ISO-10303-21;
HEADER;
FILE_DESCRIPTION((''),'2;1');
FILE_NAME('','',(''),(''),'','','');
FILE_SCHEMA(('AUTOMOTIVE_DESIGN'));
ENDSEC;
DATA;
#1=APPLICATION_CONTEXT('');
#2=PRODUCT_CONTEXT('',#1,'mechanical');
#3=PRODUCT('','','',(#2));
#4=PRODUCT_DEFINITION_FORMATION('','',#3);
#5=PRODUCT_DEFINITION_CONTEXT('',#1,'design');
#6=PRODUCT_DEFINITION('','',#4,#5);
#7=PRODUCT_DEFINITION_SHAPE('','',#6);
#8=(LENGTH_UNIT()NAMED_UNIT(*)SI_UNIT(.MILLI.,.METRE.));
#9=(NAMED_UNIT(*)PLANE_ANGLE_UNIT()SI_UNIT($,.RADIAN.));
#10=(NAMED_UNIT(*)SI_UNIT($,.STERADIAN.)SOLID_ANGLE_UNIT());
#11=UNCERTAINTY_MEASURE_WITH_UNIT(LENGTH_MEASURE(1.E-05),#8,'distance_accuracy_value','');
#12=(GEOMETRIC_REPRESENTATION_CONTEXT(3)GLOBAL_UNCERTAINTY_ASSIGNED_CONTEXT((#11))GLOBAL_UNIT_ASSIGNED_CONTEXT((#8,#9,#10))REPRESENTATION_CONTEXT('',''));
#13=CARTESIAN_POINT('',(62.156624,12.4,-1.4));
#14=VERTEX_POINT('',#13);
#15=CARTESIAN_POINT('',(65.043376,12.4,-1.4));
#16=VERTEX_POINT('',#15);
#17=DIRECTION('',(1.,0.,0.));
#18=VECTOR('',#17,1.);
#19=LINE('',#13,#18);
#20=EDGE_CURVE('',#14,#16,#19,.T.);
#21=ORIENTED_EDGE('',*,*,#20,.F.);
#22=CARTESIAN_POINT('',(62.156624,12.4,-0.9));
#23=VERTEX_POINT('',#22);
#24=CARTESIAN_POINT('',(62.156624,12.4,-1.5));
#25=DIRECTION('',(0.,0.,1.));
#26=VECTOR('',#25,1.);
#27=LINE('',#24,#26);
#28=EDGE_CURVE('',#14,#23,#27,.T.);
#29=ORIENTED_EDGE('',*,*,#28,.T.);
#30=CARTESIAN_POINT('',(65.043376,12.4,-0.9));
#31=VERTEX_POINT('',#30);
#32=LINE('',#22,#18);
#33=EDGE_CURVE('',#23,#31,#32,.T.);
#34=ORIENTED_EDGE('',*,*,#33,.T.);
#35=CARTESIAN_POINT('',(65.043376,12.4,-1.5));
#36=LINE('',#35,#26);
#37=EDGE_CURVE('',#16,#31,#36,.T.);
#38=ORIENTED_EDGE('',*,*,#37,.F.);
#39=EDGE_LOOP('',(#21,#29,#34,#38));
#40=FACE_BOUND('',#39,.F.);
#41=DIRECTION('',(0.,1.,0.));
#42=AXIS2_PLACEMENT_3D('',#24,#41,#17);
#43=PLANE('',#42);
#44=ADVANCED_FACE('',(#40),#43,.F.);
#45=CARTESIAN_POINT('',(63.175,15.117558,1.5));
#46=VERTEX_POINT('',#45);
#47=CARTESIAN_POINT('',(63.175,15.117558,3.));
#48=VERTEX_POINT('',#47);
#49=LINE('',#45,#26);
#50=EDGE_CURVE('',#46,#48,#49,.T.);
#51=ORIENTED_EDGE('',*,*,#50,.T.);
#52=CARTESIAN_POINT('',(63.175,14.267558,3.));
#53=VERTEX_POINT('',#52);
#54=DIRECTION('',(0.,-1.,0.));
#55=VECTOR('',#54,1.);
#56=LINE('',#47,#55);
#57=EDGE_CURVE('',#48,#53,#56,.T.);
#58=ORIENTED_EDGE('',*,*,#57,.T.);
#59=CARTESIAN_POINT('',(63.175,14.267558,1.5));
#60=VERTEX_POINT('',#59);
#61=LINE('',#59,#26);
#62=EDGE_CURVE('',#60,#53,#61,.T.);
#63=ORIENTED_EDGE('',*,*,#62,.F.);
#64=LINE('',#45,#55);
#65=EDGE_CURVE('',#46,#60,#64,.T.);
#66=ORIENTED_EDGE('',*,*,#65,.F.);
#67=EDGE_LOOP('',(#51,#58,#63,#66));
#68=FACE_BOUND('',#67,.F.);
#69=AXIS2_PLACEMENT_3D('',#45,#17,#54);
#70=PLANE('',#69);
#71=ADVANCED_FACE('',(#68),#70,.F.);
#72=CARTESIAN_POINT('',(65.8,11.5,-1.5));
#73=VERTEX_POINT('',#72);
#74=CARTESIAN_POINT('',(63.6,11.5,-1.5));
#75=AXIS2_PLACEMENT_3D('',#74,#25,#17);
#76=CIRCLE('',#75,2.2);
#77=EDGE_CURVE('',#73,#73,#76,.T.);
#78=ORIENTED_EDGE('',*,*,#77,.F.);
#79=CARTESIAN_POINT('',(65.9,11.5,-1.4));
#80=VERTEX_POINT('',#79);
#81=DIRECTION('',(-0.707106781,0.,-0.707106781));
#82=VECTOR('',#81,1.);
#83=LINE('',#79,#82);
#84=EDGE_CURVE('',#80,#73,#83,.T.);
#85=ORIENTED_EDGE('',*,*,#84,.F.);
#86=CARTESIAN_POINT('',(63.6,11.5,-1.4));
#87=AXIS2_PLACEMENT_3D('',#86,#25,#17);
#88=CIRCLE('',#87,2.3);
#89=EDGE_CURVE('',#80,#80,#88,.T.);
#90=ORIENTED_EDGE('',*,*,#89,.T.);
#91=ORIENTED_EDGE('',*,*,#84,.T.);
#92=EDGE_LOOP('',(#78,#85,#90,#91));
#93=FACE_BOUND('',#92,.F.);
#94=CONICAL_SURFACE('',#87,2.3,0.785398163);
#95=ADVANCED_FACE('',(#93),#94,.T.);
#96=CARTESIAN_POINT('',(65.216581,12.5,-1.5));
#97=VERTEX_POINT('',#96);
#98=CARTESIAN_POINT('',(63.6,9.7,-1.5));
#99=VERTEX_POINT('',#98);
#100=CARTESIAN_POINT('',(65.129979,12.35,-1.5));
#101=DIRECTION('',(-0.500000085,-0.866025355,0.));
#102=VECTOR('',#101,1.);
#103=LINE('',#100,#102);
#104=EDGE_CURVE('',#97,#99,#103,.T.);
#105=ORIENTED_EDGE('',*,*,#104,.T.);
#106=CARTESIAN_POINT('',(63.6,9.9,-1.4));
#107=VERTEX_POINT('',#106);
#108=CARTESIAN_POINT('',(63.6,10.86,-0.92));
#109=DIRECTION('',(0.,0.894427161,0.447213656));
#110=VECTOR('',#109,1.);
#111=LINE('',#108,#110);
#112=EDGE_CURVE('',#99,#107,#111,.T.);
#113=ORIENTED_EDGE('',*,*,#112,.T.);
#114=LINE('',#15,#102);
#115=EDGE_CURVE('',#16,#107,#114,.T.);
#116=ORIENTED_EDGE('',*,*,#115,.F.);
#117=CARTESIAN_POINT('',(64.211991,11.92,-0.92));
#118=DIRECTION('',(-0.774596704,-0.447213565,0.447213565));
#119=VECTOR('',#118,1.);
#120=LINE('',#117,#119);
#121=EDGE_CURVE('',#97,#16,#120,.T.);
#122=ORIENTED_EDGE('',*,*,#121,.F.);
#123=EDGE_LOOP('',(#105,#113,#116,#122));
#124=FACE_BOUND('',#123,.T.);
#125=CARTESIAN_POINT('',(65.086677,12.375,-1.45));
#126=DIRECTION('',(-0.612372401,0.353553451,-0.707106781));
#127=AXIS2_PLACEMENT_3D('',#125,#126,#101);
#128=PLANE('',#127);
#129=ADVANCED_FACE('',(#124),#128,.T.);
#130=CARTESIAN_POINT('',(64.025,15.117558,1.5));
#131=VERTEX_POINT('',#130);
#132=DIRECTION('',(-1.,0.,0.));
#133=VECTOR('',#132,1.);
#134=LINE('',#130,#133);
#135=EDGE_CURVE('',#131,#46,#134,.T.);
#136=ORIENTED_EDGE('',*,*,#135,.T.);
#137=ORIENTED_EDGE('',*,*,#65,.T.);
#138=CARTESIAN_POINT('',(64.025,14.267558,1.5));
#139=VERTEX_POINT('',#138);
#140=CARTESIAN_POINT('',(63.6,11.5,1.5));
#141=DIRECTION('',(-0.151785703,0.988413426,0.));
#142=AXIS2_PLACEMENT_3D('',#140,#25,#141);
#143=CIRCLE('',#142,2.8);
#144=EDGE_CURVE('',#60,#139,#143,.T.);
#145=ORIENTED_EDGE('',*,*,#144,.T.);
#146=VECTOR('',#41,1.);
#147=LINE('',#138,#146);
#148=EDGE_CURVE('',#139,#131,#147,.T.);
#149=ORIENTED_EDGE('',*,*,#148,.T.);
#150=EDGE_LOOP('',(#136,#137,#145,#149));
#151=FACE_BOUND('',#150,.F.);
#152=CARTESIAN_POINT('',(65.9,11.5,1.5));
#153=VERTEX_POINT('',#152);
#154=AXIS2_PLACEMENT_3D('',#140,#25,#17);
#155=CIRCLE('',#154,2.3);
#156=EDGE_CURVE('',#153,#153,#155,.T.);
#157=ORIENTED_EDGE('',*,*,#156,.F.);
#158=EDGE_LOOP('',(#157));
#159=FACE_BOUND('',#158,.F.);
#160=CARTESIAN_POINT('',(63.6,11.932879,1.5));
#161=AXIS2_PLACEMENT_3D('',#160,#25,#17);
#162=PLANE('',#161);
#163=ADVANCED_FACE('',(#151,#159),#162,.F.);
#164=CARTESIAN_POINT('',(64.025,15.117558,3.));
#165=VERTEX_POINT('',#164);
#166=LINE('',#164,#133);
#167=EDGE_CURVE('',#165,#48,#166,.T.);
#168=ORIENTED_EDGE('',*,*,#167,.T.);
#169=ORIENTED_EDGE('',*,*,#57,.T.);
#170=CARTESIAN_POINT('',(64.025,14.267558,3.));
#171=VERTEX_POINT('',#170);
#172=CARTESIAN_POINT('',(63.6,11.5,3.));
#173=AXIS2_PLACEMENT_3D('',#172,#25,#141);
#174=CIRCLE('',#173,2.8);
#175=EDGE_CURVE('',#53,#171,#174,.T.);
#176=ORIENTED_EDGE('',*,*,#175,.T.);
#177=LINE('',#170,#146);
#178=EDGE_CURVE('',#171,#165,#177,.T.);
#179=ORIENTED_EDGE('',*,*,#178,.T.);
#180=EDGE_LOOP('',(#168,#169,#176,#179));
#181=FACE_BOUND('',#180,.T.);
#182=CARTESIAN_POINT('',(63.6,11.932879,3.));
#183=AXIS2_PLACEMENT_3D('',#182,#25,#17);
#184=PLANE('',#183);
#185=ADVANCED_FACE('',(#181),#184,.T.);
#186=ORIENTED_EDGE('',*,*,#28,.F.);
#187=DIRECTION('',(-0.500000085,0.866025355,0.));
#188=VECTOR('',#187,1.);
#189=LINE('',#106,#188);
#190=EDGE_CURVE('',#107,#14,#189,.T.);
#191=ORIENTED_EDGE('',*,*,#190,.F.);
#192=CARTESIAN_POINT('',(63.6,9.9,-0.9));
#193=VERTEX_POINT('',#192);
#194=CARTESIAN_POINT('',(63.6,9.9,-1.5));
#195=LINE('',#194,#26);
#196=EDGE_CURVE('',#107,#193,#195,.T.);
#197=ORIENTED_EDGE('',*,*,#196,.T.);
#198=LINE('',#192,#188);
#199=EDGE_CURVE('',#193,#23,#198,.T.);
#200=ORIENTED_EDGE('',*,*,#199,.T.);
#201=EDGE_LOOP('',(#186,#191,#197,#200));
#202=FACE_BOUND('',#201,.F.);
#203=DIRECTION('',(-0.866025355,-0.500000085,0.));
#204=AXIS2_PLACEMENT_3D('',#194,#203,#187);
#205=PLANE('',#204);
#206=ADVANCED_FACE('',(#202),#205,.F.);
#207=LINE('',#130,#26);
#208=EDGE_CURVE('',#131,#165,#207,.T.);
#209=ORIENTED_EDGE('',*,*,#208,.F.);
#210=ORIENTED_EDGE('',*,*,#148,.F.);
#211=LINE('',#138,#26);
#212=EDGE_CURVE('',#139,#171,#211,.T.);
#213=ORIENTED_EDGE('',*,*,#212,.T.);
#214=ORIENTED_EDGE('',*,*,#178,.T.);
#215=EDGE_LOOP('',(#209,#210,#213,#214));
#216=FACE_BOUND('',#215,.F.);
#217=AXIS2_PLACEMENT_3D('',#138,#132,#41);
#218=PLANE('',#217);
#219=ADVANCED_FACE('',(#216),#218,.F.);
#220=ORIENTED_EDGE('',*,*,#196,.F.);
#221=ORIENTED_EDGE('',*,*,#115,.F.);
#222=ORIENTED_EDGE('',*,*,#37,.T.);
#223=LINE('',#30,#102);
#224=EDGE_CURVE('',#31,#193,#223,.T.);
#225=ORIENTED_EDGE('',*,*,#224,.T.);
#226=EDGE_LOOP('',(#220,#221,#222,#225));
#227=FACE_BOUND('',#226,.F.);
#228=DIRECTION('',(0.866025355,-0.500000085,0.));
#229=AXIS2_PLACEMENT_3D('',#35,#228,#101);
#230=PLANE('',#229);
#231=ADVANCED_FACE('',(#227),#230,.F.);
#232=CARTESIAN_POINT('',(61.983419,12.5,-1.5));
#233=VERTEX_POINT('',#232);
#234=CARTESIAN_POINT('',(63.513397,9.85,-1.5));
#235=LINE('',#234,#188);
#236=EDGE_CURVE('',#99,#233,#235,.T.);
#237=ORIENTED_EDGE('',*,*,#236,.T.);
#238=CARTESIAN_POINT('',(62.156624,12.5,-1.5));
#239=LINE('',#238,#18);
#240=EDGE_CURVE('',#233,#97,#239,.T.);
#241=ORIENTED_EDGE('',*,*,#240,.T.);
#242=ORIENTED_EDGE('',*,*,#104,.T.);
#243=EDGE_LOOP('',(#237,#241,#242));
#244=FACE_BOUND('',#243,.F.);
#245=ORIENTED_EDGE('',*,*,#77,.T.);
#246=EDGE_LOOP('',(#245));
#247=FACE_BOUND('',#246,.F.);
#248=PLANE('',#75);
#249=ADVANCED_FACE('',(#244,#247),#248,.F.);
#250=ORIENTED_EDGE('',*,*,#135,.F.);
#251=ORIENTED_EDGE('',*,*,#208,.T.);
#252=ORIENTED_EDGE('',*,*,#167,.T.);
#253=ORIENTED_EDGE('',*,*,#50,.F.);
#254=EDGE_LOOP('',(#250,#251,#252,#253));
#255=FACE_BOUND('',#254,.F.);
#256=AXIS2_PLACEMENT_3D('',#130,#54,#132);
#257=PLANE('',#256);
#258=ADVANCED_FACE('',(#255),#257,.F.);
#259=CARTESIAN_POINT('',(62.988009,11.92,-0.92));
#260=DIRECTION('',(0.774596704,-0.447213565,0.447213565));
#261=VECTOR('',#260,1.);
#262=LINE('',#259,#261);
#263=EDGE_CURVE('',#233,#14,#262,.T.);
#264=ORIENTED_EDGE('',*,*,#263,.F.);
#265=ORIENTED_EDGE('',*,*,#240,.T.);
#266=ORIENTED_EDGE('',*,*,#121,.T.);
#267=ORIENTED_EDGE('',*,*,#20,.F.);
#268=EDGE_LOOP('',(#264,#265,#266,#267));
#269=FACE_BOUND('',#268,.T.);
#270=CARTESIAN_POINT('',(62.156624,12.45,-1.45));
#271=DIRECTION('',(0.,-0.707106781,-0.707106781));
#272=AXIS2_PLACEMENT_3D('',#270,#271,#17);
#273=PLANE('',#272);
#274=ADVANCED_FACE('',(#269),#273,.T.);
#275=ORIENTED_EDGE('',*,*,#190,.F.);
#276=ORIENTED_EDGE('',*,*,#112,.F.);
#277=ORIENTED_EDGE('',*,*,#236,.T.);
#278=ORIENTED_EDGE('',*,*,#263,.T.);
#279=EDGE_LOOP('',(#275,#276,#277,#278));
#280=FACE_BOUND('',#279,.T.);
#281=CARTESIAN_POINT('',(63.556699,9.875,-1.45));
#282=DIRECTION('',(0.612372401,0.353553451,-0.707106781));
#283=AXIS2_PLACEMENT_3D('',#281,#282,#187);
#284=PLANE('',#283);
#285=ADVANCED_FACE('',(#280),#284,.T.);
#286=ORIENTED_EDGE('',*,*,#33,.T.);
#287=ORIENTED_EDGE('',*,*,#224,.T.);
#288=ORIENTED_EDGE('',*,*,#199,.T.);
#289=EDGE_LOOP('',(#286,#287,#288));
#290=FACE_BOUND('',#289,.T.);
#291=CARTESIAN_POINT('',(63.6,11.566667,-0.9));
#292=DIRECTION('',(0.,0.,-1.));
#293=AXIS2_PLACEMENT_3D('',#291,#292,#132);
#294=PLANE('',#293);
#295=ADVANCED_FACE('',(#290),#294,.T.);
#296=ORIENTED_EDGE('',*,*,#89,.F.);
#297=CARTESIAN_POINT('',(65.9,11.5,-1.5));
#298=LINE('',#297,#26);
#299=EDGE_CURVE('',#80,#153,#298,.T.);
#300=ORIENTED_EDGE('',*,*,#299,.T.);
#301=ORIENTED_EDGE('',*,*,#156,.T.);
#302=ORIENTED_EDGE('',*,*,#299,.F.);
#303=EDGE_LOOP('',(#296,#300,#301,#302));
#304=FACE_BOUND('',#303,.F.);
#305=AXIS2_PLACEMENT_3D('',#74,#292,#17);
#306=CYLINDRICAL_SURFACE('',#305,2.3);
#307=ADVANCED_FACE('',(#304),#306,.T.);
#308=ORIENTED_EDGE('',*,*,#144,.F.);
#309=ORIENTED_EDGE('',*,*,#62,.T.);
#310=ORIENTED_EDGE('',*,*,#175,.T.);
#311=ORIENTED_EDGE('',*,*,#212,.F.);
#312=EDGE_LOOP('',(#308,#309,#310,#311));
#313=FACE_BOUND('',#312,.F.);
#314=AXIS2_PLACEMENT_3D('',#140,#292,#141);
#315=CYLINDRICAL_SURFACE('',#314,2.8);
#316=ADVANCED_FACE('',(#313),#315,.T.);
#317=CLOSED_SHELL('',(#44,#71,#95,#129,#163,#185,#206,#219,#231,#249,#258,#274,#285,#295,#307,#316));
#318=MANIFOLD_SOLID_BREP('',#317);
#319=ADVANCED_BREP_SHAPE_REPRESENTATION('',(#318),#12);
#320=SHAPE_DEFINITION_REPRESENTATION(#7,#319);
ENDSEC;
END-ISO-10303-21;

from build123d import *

# Parameters (mm, degrees)
SKETCH046_R     = 2.3
PAD032_DEPTH    = 3
PAD033_DEPTH    = 1.5
POCKET007_DEPTH = 0.6
CHAMFER001_SIZE = 0.1


with BuildPart() as part:
    # Sketch046 → Pad032 (new body)
    with BuildSketch(Plane.XY):
        Circle(SKETCH046_R)
    extrude(amount=PAD032_DEPTH)

    # Sketch047 (on Face3 of Pad032) → Pad033 (join)
    with BuildSketch(Plane.XY.offset(3)):
        with BuildLine():
            Line((0.425, 2.767558), (0.425, 3.617558))
            Line((0.425, 3.617558), (-0.425, 3.617558))
            Line((-0.425, 3.617558), (-0.425, 2.767558))
            ThreePointArc((-0.425, 2.767558), (0, -2.8), (0.425, 2.767558))
        make_face()
    extrude(amount=PAD033_DEPTH)

    # Sketch048 → Pocket007 (cut)
    with BuildSketch(Plane.XY):
        Polygon((1.443376, 0.9), (0, -1.6), (-1.443376, 0.9), align=None)
    extrude(amount=POCKET007_DEPTH, mode=Mode.SUBTRACT)

    # Chamfer001
    chamfer001_edges = [part.edges().sort_by_distance(p)[0] for p in [
        (0.721688, -0.35, 0),
        (0, 0.9, 0),
        (-0.721688, -0.35, 0),
        (-2.3, 0, 0),
    ]]
    chamfer(chamfer001_edges, length=CHAMFER001_SIZE)


with BuildPart() as part_1:
    # Body013 placement: moved
    add(part.part.moved(Location((63.6, 11.5, -1.5))))


solid = part_1.part
